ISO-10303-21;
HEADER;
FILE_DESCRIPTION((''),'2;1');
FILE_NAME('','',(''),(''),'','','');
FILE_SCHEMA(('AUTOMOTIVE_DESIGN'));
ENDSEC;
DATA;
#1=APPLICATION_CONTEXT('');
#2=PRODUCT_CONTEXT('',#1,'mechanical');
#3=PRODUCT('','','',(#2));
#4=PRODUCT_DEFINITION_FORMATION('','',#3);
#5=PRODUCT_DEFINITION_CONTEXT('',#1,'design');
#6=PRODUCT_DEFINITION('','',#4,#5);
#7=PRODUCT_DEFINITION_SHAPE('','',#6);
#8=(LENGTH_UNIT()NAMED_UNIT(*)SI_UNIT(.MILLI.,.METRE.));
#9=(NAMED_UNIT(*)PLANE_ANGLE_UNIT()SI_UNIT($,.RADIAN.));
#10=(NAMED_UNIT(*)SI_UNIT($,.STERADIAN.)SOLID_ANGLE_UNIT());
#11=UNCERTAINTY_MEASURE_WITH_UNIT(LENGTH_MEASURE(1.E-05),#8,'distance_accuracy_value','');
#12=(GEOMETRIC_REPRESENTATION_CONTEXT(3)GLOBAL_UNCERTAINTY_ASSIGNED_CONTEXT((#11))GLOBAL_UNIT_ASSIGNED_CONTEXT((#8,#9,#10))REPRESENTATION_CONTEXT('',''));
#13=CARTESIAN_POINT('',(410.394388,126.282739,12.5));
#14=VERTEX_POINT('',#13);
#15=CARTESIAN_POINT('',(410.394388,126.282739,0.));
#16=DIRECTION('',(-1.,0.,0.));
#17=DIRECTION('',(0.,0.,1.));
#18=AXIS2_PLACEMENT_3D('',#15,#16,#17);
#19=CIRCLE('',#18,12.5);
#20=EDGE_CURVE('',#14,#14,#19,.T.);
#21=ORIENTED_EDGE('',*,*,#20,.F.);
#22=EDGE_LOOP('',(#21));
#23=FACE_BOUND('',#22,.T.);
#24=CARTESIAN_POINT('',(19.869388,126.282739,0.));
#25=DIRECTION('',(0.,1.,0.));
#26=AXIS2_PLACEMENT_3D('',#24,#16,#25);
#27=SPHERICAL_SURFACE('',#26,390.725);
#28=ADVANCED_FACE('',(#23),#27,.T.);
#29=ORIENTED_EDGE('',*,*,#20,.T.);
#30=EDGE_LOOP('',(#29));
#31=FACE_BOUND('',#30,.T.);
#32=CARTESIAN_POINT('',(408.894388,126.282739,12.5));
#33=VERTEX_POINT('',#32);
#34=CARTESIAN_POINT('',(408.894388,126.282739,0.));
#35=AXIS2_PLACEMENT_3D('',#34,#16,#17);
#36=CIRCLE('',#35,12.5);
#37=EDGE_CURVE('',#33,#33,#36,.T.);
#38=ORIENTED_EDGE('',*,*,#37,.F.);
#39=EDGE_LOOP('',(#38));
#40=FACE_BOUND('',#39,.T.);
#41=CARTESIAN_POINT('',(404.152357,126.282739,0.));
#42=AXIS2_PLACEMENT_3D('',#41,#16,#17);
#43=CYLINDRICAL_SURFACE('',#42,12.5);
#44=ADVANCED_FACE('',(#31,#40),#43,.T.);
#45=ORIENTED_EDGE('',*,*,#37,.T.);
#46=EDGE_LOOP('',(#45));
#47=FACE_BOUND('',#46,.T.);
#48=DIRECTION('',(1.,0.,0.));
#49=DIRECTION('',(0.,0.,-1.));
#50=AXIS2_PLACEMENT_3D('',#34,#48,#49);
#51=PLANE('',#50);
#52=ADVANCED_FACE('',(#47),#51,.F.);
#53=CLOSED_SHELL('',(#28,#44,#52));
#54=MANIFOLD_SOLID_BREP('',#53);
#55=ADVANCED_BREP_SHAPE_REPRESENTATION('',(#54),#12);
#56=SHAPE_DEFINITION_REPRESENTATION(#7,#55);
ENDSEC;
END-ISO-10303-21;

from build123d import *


with BuildPart() as part:
    # 草图1 → 旋转1 (revolve)
    with BuildSketch(Plane.XY):
        with BuildLine():
            Line((408.894387983, 126.2827391), (408.894387983, 138.7827391))
            Line((408.894387983, 138.7827391), (410.394387983, 138.7827391))
            ThreePointArc((410.394387983, 138.7827391), (410.544384783, 132.533539048), (410.594387983, 126.2827391))
            Line((410.594387983, 126.2827391), (408.894387983, 126.2827391))
        make_face()
    revolve(axis=Axis((404.152356741, 126.2827391, 0), (1, 0, 0)))


solid = part.part
